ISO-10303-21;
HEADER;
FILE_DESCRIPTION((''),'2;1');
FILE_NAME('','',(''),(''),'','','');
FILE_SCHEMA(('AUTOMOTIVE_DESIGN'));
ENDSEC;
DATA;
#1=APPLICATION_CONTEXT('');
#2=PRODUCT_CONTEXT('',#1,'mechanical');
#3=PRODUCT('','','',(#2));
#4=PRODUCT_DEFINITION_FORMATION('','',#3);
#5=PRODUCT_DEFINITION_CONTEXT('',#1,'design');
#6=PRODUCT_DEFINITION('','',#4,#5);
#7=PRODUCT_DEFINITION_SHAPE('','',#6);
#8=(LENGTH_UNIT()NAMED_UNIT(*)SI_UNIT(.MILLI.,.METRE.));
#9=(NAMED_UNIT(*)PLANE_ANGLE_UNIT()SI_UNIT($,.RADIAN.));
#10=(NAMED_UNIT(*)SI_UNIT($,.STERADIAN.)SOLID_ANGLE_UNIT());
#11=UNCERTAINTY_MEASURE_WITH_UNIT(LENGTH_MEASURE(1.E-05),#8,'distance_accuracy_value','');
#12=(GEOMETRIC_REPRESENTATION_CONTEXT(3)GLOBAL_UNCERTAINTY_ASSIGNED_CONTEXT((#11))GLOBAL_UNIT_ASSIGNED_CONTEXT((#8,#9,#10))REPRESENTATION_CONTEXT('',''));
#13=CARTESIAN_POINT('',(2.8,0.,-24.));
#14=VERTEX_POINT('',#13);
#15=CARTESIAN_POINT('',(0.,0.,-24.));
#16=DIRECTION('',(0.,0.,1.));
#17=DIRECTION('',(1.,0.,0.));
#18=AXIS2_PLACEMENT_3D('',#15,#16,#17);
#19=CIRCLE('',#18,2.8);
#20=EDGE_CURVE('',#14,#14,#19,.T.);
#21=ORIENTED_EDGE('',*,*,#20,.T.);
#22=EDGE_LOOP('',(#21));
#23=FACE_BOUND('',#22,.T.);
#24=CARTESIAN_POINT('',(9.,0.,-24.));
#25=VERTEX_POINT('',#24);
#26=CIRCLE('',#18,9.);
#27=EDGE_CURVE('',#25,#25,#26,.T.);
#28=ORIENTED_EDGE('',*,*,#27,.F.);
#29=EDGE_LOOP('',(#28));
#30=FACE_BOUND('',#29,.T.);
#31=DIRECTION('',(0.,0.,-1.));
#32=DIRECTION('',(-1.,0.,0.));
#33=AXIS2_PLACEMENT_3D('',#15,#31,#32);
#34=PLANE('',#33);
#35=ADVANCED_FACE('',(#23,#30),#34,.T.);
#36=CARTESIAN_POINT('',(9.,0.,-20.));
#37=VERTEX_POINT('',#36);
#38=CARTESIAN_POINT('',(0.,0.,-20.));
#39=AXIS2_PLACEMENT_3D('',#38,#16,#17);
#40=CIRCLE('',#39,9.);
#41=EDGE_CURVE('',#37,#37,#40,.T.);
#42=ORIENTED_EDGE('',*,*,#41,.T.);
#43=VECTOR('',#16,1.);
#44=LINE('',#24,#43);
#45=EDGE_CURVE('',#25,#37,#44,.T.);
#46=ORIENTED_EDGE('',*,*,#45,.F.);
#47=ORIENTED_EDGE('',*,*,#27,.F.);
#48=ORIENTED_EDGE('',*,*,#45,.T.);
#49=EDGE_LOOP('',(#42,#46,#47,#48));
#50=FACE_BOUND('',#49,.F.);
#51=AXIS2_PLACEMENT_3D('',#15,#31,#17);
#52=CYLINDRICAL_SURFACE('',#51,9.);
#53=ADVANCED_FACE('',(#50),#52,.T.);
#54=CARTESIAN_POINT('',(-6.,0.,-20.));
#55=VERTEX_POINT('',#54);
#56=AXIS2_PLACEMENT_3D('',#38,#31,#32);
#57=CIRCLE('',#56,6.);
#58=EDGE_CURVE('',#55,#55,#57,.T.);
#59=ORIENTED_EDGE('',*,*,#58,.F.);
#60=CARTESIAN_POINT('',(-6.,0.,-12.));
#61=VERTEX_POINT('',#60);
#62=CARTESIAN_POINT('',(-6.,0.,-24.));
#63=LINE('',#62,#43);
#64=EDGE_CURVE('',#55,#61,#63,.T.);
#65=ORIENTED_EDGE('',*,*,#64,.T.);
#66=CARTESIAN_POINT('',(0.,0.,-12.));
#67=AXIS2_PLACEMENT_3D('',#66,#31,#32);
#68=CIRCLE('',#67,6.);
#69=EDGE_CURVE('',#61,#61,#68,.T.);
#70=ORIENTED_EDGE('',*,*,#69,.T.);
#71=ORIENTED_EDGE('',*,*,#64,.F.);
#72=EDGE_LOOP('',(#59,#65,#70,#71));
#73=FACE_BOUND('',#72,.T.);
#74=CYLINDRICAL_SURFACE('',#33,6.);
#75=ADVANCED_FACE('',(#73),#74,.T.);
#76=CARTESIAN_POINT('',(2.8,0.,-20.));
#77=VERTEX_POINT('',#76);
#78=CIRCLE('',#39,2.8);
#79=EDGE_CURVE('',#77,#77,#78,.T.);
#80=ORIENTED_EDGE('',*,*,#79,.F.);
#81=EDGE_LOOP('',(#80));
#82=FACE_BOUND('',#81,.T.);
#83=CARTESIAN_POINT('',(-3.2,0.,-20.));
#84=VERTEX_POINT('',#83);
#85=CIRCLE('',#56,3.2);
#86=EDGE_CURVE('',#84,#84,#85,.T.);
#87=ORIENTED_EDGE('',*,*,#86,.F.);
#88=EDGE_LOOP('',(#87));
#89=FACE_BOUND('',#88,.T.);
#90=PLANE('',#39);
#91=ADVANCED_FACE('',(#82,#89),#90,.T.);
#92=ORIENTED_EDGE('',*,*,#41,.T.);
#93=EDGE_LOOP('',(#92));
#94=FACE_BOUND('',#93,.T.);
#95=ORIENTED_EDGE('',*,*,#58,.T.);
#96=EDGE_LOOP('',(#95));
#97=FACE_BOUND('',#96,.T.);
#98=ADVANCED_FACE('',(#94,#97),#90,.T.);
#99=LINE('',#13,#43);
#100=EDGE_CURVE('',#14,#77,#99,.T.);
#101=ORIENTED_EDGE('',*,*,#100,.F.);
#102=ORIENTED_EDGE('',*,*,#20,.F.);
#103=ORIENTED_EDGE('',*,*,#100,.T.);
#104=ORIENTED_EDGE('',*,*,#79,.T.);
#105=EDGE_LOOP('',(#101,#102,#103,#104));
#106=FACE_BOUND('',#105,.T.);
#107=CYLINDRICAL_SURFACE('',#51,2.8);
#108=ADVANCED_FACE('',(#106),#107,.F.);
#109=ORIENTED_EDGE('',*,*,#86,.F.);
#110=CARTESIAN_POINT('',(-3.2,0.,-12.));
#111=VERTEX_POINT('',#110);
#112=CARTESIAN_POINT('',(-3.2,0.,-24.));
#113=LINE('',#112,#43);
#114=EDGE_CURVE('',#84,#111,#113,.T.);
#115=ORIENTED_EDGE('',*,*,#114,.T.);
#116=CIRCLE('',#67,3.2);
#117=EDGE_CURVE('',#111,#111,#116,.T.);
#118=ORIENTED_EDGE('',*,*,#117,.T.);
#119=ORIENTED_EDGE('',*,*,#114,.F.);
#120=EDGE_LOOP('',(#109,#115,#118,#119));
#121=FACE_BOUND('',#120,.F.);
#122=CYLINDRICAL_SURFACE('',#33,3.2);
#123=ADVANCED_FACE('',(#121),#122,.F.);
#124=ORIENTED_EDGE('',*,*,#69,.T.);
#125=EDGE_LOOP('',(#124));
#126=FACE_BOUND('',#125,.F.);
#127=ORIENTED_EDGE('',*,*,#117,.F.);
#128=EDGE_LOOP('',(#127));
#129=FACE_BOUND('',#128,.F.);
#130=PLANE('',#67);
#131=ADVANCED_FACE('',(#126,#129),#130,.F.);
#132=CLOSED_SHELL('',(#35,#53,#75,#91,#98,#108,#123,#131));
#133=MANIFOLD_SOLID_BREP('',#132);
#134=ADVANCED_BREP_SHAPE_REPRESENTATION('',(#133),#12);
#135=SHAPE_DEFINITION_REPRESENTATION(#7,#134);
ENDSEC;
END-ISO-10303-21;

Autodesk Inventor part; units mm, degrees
ref_plane "YZ Plane" through (0, 0, 0) normal (1, 0, 0) x (0, 1, 0)
ref_plane "Work Plane1" through (0, 0, -24) normal (0, 0, 1) x (1, 0, 0)
sketch "Sketch1" plane through (0, 0, -24) normal (0, 0, 1) x (1, 0, 0)
  circle A0 centre (0, 0) radius 6 projected
  circle A1 centre (0, 0) radius 9
  circle A2 centre (0, 0) radius 2.8
  point P0 (0, 0)
  dimension "d0" = 18
  dimension "d1" = 5.6
extrude "Extrusion1" add sketch "Sketch1" along normal blind 4 contours A0 | A1
sketch "Sketch2" plane through (0, 0, -24) normal (0, 0, -1) x (-1, 0, 0)
  circle A0 centre (0, 0) radius 6
  circle A1 centre (0, 0) radius 2.8 projected
  circle A2 centre (0, 0) radius 3.2
  point P0 (0, 0)
  dimension "d4" = 12
  dimension "d5" = 0.4
ref_plane "Work Plane2" through (-9.4625, -9.4625, -12) normal (0, 0, 1) x (0.9986, -0.0528, 0)
extrude "Extrusion2" add sketch "Sketch2" against normal up to surface (12 mm away) contours A0
properties part number "base-bearing-cap_3DPrint"
